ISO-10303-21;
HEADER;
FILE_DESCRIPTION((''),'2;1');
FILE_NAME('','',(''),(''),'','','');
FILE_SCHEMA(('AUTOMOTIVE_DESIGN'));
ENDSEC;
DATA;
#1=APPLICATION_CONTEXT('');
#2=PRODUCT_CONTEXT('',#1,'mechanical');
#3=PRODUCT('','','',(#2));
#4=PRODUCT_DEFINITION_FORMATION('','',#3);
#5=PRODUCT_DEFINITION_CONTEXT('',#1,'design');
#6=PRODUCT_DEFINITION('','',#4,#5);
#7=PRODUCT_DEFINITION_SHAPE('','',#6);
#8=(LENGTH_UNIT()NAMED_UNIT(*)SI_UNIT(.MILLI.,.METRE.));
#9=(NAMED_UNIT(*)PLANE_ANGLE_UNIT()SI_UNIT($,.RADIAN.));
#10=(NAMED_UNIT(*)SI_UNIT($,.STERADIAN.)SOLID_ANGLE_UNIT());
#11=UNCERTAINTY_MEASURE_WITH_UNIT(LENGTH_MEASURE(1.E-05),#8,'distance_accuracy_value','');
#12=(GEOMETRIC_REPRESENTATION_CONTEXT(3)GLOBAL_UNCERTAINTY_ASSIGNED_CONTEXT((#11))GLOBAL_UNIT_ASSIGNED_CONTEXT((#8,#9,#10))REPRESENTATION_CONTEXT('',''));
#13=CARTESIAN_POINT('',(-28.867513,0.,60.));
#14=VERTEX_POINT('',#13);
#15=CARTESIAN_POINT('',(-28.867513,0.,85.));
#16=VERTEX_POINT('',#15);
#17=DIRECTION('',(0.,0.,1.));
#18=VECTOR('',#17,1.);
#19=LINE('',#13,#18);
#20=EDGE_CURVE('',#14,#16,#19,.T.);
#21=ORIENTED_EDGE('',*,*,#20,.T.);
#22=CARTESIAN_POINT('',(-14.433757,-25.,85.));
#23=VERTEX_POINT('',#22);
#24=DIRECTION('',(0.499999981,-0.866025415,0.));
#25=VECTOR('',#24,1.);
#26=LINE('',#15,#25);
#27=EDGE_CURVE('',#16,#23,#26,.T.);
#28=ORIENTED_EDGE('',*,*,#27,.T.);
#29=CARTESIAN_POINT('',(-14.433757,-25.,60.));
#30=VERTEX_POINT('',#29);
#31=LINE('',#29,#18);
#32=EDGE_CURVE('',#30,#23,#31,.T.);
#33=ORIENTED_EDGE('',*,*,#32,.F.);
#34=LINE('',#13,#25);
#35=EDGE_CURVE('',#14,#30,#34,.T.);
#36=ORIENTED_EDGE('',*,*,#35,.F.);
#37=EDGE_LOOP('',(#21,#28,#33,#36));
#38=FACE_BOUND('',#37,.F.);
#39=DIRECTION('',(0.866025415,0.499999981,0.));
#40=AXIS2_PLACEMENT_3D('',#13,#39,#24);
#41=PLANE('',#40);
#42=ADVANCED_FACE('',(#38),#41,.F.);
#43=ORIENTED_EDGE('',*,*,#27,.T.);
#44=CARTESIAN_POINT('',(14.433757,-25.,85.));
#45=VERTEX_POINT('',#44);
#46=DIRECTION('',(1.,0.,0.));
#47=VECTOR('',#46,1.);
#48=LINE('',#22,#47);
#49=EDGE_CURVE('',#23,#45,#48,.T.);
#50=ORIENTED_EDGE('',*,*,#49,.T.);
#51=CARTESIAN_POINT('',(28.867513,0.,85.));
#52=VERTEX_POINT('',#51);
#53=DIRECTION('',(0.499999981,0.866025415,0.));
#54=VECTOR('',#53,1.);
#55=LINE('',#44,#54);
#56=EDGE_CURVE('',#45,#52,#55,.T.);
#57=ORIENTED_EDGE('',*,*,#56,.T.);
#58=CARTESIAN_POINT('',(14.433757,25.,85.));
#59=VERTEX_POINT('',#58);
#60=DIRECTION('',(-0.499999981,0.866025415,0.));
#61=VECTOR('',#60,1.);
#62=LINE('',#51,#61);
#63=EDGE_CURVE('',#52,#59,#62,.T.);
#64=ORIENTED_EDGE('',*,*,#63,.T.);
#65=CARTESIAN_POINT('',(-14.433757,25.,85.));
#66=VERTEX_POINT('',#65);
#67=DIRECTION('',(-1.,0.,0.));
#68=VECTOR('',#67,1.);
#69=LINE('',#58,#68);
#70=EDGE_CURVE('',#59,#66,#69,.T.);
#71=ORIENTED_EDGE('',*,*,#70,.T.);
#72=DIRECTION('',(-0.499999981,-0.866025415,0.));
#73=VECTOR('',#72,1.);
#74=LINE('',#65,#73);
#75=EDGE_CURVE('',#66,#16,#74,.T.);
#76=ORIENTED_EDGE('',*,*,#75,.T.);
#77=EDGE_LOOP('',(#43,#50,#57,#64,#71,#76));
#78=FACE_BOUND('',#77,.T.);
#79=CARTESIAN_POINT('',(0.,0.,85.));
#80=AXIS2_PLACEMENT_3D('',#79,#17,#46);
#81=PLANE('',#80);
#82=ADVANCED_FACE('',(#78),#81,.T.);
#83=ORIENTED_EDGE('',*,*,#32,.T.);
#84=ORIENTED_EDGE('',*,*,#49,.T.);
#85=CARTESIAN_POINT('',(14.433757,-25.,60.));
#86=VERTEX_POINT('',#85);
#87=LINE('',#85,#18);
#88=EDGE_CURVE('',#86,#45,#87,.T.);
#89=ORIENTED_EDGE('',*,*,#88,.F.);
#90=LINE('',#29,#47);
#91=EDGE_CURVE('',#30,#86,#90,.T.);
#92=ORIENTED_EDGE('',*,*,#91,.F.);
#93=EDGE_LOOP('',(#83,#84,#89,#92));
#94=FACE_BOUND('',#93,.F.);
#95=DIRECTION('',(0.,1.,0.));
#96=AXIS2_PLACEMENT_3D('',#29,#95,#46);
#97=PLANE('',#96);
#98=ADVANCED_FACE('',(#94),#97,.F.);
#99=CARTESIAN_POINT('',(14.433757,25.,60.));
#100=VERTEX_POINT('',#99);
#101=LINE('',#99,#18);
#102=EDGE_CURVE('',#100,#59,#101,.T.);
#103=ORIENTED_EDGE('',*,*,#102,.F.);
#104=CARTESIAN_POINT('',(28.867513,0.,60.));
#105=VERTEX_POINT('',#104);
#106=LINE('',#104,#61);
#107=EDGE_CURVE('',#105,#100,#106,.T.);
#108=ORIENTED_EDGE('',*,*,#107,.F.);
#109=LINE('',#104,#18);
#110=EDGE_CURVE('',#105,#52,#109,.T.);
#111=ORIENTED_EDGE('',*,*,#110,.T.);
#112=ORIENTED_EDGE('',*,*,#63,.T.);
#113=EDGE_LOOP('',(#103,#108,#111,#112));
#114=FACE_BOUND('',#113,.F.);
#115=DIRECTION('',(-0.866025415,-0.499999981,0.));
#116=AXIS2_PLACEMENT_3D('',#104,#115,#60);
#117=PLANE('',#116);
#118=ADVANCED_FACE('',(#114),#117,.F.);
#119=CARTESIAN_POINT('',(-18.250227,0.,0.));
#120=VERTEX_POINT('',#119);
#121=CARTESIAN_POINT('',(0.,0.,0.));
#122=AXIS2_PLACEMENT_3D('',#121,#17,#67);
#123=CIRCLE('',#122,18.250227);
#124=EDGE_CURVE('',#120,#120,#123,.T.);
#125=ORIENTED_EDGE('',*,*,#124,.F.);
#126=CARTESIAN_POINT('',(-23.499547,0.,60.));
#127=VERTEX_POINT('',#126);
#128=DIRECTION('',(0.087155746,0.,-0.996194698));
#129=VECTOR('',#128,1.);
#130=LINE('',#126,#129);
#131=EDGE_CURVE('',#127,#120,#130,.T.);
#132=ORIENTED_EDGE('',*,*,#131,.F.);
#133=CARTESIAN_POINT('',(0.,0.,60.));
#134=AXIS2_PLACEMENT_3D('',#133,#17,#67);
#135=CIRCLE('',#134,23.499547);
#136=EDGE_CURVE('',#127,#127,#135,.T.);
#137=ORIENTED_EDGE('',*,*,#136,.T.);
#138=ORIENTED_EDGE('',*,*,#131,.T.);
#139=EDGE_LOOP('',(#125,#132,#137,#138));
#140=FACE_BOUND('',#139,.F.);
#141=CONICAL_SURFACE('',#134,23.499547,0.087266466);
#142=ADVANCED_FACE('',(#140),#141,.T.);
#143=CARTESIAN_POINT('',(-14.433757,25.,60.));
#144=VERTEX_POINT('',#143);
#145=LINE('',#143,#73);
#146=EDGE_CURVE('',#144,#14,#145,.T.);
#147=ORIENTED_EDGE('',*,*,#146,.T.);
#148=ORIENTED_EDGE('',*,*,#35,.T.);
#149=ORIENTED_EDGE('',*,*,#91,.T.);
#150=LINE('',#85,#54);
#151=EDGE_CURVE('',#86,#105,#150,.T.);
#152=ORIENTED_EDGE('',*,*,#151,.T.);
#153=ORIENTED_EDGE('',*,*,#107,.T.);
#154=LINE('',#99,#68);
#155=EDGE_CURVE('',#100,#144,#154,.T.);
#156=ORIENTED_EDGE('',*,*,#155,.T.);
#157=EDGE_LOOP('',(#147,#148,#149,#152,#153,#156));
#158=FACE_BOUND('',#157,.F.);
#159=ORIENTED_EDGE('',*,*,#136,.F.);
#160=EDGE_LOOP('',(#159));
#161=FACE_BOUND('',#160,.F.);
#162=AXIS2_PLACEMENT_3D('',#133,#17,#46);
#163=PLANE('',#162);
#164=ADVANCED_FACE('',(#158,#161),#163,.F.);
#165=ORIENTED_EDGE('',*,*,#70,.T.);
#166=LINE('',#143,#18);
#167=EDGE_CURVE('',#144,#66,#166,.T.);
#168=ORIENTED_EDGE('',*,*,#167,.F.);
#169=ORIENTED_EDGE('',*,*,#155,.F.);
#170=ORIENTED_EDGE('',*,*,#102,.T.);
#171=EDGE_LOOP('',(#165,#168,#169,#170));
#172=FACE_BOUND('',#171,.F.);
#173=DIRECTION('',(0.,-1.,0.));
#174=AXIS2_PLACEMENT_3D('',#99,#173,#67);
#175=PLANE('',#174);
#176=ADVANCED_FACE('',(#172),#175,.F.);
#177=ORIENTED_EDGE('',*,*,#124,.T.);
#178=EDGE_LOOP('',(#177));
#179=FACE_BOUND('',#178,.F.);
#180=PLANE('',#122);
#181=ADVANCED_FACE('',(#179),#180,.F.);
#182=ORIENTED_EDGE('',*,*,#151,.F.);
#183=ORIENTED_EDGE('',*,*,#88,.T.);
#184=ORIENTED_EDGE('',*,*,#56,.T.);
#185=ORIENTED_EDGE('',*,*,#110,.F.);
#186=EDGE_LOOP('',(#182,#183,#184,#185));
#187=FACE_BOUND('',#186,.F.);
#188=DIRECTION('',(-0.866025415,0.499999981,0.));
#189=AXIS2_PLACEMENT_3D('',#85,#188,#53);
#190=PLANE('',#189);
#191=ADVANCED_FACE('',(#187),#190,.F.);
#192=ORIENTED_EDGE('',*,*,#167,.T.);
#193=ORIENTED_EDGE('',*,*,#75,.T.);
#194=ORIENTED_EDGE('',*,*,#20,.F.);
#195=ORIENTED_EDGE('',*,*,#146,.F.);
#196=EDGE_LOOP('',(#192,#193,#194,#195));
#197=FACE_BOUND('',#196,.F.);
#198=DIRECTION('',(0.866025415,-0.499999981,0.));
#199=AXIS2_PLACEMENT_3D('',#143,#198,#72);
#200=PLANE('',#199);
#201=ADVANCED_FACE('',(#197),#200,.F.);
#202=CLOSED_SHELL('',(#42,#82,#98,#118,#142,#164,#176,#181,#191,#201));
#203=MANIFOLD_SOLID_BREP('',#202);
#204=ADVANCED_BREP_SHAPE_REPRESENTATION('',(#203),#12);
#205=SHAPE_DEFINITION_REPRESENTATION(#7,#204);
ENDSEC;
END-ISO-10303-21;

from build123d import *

# Parameters (mm, degrees)
F3_DEPTH = 25


with BuildPart() as f1:
    # F0 (on Front) → F1 (revolve)
    with BuildSketch(Plane.XZ):
        Polygon((-18.250227, 0), (0, 0), (0, 60), (-23.499547, 60), align=None)
    revolve(axis=Axis((0, 0, 72.624769), (0, 0, 1)))

    # F2 (on face) → F3 (join)
    with BuildSketch(Plane.XY.offset(60)):
        Polygon((-14.433757, 25), (-28.867513, 0), (-14.433757, -25), (14.433757, -25), (28.867513, 0), (14.433757, 25), align=None)
    extrude(amount=F3_DEPTH)


solid = f1.part
